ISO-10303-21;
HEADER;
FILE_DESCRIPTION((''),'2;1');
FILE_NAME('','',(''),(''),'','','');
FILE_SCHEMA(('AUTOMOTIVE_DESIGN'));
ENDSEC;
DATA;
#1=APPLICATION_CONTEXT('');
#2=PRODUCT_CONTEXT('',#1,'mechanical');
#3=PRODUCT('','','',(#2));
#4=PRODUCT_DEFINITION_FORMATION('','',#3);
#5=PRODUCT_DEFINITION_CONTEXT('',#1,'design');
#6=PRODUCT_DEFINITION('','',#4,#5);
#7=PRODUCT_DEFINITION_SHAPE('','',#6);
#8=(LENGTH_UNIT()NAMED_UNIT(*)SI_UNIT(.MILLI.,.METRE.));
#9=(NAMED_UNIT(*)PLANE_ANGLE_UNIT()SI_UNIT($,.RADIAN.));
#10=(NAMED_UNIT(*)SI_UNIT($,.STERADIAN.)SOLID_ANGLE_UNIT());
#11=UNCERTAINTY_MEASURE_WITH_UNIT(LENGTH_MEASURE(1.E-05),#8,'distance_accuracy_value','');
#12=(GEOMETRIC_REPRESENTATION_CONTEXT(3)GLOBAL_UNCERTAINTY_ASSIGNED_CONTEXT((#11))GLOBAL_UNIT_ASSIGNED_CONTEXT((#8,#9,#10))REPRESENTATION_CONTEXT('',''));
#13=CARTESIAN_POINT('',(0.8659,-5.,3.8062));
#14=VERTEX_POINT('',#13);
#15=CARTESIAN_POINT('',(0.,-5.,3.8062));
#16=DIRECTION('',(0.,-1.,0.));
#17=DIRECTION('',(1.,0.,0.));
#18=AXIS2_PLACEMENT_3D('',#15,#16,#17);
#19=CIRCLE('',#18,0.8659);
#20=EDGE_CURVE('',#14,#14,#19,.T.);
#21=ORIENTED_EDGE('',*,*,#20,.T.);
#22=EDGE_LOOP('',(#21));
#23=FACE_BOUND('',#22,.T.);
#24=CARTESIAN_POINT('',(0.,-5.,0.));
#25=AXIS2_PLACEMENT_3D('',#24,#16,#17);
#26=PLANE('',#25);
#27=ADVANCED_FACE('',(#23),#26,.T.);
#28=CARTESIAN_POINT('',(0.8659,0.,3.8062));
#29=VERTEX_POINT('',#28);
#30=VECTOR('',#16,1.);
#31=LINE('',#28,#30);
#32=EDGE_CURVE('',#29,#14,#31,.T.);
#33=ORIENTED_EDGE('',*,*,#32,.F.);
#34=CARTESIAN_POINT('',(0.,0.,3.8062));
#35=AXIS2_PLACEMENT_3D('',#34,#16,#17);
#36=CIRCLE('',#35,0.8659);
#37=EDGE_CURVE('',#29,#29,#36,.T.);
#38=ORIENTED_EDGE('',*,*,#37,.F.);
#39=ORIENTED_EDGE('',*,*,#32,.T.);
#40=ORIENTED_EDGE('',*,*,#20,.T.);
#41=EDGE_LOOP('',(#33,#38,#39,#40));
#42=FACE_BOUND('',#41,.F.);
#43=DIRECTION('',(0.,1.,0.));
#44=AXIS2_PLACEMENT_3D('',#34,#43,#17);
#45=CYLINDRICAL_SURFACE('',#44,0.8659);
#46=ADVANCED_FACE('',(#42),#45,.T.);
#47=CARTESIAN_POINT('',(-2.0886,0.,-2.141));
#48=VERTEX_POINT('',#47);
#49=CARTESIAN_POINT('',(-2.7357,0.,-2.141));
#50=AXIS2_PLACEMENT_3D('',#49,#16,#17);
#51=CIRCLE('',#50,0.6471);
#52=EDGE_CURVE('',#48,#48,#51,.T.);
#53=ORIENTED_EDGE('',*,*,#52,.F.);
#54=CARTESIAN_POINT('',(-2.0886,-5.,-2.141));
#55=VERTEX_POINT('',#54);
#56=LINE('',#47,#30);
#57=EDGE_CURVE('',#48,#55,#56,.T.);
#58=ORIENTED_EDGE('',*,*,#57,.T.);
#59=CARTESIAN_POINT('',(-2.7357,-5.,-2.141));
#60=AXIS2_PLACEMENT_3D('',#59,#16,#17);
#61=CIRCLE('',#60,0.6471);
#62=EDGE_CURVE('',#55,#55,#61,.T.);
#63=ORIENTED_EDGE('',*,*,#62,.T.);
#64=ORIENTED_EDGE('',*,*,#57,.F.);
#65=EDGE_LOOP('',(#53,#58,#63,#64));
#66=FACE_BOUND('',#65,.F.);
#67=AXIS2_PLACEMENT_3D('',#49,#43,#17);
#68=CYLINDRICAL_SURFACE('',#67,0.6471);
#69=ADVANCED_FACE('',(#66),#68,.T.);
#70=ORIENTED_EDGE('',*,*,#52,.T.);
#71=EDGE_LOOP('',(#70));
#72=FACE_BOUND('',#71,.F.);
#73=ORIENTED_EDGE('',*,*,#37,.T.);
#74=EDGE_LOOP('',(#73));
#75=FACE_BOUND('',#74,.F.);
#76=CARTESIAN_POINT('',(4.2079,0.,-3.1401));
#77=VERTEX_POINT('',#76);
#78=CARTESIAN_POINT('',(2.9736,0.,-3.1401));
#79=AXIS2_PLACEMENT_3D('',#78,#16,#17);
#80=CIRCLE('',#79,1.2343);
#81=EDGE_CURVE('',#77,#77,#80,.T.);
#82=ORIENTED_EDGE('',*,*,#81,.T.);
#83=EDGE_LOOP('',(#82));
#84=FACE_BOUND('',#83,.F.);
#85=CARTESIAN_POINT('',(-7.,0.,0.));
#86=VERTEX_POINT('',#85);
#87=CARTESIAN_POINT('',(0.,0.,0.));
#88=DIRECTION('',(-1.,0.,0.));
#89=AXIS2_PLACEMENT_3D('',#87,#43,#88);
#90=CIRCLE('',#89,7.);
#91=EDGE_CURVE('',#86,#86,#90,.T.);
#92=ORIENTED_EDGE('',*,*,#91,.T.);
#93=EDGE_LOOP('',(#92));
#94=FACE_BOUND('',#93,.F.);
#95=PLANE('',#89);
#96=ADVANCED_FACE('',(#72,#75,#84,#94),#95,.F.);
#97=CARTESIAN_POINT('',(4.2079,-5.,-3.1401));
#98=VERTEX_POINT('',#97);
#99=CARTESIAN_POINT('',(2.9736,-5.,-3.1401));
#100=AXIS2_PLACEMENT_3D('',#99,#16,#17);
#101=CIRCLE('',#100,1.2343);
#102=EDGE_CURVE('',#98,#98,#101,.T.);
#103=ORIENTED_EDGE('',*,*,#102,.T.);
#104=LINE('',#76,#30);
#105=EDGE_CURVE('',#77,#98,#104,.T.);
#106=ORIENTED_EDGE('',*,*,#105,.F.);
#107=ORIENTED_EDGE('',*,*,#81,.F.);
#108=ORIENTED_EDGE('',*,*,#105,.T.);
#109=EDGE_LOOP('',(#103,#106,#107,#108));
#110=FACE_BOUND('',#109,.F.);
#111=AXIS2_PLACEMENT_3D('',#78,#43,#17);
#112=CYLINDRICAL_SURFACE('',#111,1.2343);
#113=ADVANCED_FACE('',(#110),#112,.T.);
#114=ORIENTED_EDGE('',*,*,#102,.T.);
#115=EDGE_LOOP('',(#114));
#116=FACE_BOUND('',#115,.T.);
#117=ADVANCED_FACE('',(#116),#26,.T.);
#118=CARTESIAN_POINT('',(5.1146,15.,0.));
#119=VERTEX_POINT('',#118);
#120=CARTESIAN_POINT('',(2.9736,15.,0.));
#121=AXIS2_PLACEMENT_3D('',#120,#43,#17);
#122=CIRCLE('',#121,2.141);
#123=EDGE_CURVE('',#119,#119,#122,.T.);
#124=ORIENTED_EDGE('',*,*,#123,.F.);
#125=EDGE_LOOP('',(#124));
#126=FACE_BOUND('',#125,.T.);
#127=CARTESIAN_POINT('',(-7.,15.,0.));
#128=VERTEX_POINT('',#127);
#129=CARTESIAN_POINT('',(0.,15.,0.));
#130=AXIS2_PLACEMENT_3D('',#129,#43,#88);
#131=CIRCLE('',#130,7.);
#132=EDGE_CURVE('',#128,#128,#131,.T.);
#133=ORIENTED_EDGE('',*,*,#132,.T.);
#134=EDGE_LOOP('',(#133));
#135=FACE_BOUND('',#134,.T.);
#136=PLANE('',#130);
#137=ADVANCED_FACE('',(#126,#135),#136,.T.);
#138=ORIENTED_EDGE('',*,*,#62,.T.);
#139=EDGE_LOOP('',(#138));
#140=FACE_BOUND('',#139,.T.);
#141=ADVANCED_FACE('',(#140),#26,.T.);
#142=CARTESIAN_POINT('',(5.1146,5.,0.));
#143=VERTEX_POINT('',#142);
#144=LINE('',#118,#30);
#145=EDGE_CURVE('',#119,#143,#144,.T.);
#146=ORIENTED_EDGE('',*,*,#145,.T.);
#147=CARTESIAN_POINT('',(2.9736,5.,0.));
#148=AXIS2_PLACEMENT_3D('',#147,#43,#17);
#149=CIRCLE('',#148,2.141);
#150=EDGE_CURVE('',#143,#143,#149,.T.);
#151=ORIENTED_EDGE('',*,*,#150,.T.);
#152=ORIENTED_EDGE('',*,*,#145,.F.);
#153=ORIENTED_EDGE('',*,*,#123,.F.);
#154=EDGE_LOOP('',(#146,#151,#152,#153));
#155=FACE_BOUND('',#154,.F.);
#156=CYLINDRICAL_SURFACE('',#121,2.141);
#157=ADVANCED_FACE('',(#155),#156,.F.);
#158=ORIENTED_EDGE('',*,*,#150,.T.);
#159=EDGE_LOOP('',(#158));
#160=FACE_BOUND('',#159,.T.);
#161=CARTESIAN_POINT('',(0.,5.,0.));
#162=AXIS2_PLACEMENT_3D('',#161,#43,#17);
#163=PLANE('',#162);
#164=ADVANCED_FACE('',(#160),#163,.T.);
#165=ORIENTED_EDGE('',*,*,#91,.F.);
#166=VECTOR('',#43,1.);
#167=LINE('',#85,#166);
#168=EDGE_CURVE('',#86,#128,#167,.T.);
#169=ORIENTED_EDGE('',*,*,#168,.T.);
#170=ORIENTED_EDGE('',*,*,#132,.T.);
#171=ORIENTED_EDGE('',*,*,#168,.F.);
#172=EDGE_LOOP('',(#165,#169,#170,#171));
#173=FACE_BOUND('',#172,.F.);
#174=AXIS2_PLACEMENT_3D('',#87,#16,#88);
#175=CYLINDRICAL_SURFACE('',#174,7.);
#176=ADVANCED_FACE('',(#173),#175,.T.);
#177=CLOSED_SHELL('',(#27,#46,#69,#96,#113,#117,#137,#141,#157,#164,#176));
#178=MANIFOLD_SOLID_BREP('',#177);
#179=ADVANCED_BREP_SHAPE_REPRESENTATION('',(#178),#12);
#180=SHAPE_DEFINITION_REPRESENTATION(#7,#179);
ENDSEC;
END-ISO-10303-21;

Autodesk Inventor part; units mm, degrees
ref_plane "YZ Plane" through (0, 0, 0) normal (1, 0, 0) x (0, 1, 0)
ref_plane "XZ Plane" through (0, 0, 0) normal (0, 1, 0) x (-1, 0, 0)
ref_plane "XY Plane" through (0, 0, 0) normal (0, 0, 1) x (1, 0, 0)
sketch "Sketch1" plane through (0, 0, 0) normal (0, 1, 0) x (-1, 0, 0)
  circle A0 centre (0, 0) radius 7
  dimension "d0" = 14
extrude "Extrusion1" add sketch "Sketch1" along normal blind 15
sketch "Sketch2" plane through (0, 15, 0) normal (0, 1, 0) x (1, 0, 0)
  circle A0 centre (2.9736, 0) radius 2.141
  point P0 (0, 0)
extrude "Extrusion2" cut sketch "Sketch2" against normal blind 10
sketch "Sketch3" plane through (0, 0, 0) normal (0, -1, 0) x (1, 0, 0)
  circle A0 centre (0, 3.8062) radius 0.8659
  circle A1 centre (2.9736, -3.1401) radius 1.2343
  circle A2 centre (-2.7357, -2.141) radius 0.6471
  point P0 (0, 0)
extrude "Extrusion3" add sketch "Sketch3" along normal blind 5
properties part number "Conector de carga"
